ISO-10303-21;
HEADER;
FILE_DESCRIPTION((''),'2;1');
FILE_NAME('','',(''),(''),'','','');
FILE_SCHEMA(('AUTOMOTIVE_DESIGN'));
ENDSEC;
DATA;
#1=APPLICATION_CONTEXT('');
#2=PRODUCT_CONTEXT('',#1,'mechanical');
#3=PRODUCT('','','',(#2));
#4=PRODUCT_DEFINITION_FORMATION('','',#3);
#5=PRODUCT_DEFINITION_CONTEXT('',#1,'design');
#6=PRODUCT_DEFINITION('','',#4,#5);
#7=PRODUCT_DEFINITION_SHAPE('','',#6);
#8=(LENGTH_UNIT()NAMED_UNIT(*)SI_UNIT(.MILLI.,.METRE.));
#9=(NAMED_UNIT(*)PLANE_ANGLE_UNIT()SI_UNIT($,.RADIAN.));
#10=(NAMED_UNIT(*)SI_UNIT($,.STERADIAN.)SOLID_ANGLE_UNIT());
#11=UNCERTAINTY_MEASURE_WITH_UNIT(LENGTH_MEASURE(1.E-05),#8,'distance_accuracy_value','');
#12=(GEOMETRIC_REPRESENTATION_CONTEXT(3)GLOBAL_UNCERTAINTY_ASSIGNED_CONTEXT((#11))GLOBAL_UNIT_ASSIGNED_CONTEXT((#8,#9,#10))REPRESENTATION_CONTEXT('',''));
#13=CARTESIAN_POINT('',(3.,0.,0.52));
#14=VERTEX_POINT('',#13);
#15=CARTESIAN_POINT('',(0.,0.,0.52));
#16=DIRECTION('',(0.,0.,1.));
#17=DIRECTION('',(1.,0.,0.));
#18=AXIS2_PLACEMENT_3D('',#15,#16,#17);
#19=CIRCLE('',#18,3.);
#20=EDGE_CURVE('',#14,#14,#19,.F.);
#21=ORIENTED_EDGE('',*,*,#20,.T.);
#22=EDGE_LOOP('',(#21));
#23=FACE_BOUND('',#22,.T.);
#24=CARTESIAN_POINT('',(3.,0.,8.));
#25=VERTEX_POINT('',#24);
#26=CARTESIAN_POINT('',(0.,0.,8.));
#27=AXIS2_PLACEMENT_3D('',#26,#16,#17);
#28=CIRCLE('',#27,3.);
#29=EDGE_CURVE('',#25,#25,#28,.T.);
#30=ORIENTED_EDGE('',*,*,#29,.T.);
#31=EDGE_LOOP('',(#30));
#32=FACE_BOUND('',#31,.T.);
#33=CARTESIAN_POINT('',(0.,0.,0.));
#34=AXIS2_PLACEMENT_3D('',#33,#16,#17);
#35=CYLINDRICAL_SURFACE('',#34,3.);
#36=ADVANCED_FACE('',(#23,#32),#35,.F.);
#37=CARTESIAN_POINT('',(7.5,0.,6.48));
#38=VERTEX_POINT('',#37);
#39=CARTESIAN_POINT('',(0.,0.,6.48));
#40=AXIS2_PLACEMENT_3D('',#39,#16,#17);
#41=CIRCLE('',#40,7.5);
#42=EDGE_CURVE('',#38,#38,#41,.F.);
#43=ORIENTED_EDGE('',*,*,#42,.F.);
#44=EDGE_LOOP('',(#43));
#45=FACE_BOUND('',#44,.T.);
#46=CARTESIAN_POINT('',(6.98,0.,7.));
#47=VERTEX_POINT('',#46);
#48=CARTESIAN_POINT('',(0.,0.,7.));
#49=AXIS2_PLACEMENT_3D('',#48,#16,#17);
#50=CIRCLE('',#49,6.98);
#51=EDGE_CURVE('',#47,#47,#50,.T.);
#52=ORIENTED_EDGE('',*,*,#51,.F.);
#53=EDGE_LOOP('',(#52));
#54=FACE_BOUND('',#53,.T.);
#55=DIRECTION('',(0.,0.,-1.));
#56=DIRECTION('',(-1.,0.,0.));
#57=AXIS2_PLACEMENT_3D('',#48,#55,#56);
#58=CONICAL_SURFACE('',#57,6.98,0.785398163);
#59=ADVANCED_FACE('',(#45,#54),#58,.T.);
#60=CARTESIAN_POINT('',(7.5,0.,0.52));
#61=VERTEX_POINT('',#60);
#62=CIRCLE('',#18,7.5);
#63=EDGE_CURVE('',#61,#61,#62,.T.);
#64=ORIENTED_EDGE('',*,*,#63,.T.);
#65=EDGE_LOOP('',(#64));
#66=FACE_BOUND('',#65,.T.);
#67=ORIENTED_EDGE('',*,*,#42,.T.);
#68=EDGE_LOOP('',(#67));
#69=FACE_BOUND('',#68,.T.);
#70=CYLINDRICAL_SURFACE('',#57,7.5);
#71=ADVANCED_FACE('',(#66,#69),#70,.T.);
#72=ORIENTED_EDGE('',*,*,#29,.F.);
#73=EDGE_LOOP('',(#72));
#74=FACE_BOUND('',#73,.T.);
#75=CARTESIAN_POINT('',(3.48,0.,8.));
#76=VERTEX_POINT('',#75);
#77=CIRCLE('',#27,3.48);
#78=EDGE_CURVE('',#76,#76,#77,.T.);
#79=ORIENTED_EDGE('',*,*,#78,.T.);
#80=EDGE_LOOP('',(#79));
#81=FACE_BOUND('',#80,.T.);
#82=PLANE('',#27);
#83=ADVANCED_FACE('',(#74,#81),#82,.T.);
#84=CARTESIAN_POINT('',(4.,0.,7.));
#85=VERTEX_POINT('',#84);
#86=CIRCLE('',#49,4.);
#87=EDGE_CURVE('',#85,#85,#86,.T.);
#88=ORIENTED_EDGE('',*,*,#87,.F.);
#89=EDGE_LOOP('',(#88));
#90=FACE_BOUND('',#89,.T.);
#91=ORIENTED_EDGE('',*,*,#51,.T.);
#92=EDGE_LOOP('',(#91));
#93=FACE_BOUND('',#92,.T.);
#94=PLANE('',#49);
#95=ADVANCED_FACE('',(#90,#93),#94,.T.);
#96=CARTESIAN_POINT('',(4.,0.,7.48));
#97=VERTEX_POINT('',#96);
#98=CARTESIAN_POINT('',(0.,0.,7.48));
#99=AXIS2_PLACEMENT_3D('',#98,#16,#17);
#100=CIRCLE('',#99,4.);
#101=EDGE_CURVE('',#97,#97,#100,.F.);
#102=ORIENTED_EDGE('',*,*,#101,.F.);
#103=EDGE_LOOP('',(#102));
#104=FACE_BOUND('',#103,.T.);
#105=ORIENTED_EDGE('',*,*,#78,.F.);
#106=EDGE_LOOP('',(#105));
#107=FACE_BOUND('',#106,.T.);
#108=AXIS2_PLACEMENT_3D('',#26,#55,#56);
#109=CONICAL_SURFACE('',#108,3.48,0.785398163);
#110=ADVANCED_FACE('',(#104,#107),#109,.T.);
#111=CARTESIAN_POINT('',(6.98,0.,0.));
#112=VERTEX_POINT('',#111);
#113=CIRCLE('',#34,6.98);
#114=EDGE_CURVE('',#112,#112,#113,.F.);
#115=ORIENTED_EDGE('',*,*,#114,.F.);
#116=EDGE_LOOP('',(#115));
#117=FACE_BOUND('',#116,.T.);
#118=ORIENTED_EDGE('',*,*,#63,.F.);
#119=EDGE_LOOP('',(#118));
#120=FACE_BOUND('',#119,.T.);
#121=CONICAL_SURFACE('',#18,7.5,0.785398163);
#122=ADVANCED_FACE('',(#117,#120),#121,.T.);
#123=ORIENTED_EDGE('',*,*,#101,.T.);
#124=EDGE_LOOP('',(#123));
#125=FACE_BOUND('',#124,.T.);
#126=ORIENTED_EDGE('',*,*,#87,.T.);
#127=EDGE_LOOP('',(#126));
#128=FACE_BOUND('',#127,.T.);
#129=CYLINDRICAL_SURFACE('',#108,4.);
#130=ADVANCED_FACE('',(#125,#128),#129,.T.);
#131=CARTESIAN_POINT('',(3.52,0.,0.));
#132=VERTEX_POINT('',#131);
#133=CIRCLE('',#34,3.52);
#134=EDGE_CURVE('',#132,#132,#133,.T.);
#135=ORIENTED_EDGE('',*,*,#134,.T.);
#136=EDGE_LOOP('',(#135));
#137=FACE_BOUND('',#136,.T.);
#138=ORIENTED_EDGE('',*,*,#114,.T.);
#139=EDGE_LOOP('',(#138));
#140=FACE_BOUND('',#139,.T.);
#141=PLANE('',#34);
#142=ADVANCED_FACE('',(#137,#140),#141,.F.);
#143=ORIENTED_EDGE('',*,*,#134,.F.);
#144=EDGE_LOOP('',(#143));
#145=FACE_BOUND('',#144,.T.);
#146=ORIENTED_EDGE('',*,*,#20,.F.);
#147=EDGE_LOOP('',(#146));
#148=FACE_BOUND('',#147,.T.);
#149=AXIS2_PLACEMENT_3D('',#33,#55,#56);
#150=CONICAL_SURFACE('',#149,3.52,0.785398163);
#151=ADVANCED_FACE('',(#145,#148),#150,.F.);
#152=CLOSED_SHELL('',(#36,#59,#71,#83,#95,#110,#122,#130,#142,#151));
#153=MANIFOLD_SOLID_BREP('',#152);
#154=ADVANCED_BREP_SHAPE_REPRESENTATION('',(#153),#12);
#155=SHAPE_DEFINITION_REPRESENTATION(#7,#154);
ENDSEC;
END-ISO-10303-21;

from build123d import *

# Parameters (mm, degrees)
SKETCH1_R           = 7.5
BOSS_EXTRUDE1_DEPTH = 7
SKETCH2_R           = 4
BOSS_EXTRUDE2_DEPTH = 1
SKETCH3_R           = 3
CUT_EXTRUDE1_DEPTH  = 9
CHAMFER1_SIZE       = 0.52


with BuildPart() as part:
    # Sketch1 → Boss-Extrude1 (new body)
    with BuildSketch(Plane.XY):
        Circle(SKETCH1_R)
    extrude(amount=BOSS_EXTRUDE1_DEPTH)

    # Sketch2 → Boss-Extrude2 (add)
    with BuildSketch(Plane.XY.offset(7)):
        Circle(SKETCH2_R)
    extrude(amount=BOSS_EXTRUDE2_DEPTH)

    # Sketch3 → Cut-Extrude1 (cut, through all)
    with BuildSketch(Plane.XY.offset(8)):
        Circle(SKETCH3_R)
    extrude(amount=-CUT_EXTRUDE1_DEPTH, mode=Mode.SUBTRACT)

    # Chamfer1
    chamfer1_edges = [part.edges().sort_by_distance(p)[0] for p in [
        (-3, 0, 0),
        (-7.5, 0, 0),
        (-7.5, 0, 7),
        (-4, 0, 8),
    ]]
    chamfer(chamfer1_edges, length=CHAMFER1_SIZE)


solid = part.part
